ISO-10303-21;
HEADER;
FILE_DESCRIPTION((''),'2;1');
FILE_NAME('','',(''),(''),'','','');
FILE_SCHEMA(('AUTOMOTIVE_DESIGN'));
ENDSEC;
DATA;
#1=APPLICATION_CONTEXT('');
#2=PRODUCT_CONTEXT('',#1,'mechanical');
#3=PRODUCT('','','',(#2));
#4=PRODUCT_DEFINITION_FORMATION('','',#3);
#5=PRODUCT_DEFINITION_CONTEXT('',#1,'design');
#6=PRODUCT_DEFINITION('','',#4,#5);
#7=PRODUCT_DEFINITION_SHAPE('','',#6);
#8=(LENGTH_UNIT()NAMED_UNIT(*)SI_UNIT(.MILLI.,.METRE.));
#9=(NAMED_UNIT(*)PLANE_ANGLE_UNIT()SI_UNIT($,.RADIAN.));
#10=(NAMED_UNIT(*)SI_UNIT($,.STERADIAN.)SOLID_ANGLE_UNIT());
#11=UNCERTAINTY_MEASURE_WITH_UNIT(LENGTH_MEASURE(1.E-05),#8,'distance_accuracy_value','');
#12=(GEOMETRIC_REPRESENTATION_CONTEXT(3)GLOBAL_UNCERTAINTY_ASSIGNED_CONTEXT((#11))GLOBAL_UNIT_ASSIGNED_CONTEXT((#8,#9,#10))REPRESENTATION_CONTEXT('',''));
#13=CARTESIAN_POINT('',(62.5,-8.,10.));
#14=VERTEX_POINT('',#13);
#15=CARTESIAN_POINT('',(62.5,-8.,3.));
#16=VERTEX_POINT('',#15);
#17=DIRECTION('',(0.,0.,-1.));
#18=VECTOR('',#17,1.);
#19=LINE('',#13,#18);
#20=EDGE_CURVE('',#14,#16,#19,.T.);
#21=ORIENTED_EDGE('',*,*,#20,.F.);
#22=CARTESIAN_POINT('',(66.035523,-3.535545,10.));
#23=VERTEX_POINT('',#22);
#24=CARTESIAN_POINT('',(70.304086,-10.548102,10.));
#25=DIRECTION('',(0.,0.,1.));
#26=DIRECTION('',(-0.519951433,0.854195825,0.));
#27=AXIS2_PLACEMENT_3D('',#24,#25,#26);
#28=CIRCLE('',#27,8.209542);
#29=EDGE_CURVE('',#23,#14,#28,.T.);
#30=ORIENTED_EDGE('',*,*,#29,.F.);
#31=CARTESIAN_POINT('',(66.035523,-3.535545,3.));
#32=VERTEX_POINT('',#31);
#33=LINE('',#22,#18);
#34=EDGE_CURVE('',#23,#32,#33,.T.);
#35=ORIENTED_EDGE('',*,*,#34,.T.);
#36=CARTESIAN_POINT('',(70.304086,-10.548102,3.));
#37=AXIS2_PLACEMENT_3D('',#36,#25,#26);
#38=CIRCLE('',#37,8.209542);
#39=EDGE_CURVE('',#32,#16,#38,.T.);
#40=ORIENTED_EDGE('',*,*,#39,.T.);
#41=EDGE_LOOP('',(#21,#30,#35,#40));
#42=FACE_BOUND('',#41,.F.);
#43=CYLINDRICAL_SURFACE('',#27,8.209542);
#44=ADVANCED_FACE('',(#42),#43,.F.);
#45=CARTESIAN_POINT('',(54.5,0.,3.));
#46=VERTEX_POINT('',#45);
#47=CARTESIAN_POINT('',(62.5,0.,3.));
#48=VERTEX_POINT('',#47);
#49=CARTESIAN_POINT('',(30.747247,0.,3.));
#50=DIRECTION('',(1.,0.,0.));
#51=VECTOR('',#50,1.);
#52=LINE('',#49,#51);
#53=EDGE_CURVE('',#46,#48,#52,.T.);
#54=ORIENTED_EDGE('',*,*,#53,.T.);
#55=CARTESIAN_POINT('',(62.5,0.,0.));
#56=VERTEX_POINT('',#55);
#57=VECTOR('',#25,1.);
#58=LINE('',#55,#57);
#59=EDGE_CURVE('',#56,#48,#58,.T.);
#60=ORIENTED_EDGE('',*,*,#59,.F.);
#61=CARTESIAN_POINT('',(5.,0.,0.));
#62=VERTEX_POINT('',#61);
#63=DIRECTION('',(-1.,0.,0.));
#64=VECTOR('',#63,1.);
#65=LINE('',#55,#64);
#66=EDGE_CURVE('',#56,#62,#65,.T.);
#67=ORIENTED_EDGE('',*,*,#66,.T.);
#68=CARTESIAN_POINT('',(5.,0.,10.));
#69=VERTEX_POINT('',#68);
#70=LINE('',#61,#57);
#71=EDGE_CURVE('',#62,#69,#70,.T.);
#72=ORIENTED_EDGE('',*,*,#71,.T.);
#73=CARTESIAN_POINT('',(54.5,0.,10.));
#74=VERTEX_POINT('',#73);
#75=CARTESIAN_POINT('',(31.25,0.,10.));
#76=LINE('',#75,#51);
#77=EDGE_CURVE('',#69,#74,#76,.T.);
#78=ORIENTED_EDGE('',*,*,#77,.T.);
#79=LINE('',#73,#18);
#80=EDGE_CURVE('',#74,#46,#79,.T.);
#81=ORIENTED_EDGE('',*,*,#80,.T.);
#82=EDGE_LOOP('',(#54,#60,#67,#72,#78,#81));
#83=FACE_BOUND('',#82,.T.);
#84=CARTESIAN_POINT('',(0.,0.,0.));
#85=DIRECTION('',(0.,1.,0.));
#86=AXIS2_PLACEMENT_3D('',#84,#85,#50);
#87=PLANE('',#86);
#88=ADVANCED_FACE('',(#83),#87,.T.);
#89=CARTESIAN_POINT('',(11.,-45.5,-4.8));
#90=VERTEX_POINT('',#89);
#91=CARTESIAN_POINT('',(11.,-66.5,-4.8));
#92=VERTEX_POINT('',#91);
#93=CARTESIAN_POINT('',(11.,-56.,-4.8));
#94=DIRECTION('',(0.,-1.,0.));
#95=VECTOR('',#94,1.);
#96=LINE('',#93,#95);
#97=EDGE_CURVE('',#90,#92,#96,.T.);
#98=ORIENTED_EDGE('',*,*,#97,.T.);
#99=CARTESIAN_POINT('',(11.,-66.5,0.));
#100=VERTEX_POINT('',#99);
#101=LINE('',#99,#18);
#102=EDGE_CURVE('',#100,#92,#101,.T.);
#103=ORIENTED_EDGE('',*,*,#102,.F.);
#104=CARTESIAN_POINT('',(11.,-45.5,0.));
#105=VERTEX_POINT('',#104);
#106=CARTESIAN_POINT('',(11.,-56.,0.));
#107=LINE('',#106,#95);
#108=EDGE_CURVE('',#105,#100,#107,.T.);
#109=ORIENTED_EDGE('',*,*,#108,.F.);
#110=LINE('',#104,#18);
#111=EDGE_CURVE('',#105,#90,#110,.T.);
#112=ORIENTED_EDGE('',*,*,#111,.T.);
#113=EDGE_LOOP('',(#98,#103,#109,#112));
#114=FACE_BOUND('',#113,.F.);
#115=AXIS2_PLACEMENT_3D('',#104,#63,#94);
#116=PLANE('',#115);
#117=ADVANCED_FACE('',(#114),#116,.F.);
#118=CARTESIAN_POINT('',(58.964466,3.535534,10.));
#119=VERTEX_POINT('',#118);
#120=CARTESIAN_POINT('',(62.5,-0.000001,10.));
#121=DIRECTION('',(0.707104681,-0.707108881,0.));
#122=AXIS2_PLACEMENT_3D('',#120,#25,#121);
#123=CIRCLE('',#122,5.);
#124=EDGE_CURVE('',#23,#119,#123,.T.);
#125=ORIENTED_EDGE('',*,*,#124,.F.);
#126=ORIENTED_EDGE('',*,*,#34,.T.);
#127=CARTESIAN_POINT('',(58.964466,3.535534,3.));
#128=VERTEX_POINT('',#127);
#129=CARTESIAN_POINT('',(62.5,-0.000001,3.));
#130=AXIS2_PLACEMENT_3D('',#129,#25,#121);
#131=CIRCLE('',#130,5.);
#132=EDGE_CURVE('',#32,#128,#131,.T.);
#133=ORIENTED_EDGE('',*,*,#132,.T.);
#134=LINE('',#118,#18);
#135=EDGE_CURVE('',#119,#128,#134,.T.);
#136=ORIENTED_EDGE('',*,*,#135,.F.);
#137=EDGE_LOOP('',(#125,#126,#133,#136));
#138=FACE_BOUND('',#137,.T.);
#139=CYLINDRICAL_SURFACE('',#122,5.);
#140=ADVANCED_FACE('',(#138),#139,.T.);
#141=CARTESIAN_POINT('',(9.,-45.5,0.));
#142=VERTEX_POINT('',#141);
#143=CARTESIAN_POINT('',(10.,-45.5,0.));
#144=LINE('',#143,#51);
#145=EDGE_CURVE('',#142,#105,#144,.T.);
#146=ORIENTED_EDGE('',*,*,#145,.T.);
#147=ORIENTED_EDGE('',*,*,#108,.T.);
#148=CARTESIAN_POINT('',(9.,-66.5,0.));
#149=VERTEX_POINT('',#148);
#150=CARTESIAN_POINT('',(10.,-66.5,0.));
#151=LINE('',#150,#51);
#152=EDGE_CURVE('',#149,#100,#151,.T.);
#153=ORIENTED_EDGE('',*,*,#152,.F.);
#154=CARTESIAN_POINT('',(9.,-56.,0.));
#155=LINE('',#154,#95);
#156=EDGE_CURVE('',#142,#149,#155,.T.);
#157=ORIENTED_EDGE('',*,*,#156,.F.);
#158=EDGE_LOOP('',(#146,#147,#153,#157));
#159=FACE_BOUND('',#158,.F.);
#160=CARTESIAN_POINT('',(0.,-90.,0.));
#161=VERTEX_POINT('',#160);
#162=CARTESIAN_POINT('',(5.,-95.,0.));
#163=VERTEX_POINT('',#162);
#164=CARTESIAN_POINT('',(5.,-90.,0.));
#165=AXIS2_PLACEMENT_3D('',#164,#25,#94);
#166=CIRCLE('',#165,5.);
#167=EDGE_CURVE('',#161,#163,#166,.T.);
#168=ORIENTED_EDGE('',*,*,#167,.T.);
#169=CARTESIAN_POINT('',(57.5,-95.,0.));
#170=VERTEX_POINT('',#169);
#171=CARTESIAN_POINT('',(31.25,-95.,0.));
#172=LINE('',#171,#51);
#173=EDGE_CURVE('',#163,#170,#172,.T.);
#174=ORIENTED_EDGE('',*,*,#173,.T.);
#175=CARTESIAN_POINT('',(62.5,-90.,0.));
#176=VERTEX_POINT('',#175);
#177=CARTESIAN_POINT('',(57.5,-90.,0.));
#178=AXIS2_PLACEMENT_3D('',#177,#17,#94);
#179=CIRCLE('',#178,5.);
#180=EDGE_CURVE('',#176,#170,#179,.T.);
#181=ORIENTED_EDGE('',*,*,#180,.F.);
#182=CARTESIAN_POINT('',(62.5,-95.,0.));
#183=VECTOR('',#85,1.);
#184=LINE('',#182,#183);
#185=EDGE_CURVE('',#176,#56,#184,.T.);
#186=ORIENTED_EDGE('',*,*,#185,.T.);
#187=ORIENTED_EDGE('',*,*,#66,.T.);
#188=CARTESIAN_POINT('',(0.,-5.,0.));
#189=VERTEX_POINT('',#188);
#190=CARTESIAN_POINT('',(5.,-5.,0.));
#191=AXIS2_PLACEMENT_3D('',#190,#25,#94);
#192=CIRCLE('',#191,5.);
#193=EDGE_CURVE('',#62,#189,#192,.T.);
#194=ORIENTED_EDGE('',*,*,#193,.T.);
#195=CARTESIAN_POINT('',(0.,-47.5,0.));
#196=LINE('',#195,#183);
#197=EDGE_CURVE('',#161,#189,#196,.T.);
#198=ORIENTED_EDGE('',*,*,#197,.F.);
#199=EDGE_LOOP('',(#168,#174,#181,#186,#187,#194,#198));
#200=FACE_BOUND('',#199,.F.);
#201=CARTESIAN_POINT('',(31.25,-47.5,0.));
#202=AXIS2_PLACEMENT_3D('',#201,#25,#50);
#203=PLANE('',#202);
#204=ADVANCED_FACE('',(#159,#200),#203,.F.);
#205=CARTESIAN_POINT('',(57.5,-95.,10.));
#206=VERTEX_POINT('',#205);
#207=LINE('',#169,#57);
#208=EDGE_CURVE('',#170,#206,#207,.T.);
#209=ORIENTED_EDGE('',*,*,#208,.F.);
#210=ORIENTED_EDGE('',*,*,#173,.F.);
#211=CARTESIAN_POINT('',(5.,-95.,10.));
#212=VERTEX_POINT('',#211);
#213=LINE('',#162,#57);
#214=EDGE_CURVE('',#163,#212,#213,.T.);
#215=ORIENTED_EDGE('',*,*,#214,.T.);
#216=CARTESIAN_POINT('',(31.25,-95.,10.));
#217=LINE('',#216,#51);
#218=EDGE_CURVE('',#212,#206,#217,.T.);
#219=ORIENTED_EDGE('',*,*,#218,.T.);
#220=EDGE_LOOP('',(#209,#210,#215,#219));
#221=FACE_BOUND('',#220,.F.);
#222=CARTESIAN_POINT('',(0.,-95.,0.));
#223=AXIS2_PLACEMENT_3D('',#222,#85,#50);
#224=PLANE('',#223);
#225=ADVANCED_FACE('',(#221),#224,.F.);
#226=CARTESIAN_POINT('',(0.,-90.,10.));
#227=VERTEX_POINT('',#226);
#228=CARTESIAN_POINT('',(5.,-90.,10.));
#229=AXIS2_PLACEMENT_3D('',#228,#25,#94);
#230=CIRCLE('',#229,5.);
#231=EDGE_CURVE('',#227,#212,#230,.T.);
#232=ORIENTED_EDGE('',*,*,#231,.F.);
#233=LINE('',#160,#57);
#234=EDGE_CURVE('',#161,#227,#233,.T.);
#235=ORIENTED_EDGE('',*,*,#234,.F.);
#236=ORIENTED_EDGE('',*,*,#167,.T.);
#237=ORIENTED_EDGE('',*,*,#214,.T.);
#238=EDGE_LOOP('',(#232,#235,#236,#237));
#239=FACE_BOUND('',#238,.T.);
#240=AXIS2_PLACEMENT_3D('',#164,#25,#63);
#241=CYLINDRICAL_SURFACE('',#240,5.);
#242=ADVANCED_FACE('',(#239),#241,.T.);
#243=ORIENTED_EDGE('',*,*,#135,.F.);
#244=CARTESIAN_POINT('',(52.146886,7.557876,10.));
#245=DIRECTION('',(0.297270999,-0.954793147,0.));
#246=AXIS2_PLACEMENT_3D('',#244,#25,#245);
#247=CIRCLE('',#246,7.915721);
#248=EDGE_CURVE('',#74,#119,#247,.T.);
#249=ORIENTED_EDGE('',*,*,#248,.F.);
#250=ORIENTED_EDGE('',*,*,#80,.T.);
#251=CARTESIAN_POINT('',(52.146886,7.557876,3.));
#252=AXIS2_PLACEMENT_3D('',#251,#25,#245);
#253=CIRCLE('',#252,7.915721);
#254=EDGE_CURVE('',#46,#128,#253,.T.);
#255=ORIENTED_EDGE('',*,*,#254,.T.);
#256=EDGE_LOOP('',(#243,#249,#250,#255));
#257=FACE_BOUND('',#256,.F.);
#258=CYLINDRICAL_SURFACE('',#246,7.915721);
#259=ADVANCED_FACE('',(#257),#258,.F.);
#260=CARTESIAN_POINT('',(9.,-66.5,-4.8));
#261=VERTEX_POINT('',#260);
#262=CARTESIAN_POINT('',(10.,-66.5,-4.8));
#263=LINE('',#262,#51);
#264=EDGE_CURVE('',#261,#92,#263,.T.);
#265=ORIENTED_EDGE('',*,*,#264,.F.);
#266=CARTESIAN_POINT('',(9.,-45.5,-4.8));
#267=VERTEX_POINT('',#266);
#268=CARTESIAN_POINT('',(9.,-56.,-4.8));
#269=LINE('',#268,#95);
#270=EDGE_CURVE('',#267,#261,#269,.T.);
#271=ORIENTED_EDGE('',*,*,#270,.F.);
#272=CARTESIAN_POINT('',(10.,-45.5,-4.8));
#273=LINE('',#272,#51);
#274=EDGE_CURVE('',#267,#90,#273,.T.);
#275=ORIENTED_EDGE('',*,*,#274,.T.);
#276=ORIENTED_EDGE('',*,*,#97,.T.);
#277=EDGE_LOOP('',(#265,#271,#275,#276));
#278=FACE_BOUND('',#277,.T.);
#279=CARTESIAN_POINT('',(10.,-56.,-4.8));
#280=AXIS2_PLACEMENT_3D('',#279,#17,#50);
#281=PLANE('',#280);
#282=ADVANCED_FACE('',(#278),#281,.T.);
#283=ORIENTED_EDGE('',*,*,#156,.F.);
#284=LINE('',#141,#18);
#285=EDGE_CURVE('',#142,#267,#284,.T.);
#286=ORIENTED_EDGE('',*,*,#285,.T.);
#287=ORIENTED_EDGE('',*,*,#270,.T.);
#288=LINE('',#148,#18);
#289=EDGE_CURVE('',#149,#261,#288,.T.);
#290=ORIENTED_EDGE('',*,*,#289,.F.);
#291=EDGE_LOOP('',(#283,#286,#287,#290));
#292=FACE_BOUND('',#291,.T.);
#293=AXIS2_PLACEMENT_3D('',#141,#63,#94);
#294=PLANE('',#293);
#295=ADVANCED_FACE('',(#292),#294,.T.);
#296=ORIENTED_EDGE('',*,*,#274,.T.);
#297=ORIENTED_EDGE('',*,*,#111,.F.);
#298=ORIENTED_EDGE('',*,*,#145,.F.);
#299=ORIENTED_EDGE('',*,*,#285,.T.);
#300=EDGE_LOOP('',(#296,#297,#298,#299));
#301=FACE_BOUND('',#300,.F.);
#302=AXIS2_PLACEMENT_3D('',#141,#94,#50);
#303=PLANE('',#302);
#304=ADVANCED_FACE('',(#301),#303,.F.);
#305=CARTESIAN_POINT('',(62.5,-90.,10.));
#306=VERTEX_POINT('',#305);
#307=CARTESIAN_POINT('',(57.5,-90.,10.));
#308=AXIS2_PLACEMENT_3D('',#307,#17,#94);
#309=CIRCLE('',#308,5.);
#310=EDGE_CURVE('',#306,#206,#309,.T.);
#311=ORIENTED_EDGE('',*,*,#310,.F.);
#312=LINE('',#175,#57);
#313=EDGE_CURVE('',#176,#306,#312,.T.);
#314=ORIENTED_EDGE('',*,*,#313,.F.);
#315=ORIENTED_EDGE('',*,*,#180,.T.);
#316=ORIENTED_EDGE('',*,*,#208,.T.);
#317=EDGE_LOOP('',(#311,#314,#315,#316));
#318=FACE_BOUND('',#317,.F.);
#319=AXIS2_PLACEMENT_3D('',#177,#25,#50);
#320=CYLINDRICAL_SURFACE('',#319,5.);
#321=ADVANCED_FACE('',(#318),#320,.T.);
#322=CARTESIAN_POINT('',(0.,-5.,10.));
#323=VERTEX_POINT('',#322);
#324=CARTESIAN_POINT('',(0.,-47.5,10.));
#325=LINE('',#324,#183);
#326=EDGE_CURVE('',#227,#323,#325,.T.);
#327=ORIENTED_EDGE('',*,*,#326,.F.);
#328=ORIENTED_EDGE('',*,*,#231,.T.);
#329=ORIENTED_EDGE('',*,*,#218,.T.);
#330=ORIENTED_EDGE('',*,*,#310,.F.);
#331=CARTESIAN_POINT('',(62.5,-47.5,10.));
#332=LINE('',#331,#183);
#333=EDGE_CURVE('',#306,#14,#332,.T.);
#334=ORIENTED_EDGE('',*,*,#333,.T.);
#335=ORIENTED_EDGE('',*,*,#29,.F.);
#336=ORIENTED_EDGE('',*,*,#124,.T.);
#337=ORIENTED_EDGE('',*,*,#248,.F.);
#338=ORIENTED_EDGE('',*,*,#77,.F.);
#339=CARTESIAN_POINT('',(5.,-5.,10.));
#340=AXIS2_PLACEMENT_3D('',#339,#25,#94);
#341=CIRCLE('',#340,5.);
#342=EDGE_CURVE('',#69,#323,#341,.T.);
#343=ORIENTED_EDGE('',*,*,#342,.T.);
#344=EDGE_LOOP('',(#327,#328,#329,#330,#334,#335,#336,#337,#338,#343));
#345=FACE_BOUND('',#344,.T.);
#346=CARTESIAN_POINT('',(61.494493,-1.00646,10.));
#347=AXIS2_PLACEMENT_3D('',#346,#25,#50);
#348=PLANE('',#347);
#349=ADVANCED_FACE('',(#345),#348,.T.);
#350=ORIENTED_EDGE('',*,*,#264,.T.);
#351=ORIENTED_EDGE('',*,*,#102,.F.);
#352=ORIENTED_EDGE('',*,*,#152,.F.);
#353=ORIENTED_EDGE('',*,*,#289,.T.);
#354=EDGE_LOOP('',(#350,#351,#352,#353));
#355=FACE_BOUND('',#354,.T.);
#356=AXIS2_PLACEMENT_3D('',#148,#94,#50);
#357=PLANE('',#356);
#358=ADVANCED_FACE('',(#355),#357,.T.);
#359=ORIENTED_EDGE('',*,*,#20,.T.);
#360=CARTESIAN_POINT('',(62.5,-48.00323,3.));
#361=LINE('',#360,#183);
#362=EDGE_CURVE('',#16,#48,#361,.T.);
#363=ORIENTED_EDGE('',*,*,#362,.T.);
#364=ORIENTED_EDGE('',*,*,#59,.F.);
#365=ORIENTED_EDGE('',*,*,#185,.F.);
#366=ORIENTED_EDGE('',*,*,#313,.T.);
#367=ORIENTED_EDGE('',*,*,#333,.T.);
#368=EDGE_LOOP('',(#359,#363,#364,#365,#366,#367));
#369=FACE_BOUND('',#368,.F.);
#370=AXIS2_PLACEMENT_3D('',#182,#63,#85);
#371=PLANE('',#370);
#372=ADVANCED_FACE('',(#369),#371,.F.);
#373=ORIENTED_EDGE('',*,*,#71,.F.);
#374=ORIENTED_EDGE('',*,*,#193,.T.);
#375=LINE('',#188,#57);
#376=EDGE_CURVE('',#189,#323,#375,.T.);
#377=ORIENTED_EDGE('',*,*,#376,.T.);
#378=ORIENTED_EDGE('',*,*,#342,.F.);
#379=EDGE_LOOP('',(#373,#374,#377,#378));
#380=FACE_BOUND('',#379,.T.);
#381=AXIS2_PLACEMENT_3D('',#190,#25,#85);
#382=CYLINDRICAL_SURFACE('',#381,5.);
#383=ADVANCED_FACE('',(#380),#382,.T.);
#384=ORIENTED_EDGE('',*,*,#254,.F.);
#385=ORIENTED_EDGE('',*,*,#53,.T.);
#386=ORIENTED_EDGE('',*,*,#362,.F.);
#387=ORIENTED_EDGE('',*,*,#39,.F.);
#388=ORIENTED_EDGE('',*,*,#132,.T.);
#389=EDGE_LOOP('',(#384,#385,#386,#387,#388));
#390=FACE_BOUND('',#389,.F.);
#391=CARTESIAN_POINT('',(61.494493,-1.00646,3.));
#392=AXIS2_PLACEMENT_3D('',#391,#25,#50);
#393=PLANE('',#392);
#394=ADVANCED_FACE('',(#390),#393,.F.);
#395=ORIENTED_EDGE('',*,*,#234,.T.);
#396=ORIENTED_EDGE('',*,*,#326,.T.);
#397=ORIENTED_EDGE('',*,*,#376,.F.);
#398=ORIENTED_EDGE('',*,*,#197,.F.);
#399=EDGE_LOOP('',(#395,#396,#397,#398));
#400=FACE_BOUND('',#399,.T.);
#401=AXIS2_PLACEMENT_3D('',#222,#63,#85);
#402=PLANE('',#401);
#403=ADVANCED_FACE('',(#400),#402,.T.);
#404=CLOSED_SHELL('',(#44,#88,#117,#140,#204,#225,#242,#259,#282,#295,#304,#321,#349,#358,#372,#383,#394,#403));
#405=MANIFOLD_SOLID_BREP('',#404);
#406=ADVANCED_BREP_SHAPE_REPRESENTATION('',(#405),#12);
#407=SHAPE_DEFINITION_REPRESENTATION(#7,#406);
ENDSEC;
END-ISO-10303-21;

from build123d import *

# Parameters (mm, degrees)
SKETCH_W     = 62.5
SKETCH_H     = 95
PAD_DEPTH    = 10
PAD001_DEPTH = 7
POCKET_DEPTH = 3
SKETCH003_W  = 2
SKETCH003_H  = 21
PAD002_DEPTH = 4.8
FILLET_R     = 5


with BuildPart() as part:
    # Sketch → Pad (new body)
    with BuildSketch(Plane.XY):
        with Locations((31.25, -47.5)):
            Rectangle(SKETCH_W, SKETCH_H)
    extrude(amount=PAD_DEPTH)

    # Sketch001 (on Face6 of Pad) → Pad001 (join)
    with BuildSketch(Plane.XY.offset(10)):
        with BuildLine():
            ThreePointArc((66.035523, -3.535545), (66.035539, 3.535528), (58.964466, 3.535534))
            ThreePointArc((54.5, 0), (57.061192, 1.352376), (58.964466, 3.535534))
            Line((54.5, 0), (62.5, -8))
            ThreePointArc((66.035523, -3.535545), (63.868245, -5.451384), (62.5, -8))
        make_face()
    extrude(amount=-PAD001_DEPTH)

    # Sketch002 (on Face2 of Pad001) → Pocket (cut)
    with BuildSketch(Plane(origin=(0, 0, 0), x_dir=(1, 0, 0), z_dir=(0, 0, -1))):
        with BuildLine():
            Line((54.5, 0), (62.5, 0))
            Line((62.5, 0), (62.5, 8))
            ThreePointArc((62.5, 8), (63.868245, 5.451384), (66.035523, 3.535545))
            ThreePointArc((58.964466, -3.535534), (66.035539, -3.535528), (66.035523, 3.535545))
            ThreePointArc((58.964466, -3.535534), (57.061192, -1.352376), (54.5, 0))
        make_face()
    extrude(amount=-POCKET_DEPTH, mode=Mode.SUBTRACT)

    # Sketch003 (on Face3 of Pocket) → Pad002 (join)
    with BuildSketch(Plane(origin=(0, 0, 0), x_dir=(1, 0, 0), z_dir=(0, 0, -1))):
        with Locations((10, 56)):
            Rectangle(SKETCH003_W, SKETCH003_H)
    extrude(amount=PAD002_DEPTH)

    # Fillet
    fillet_edges = [part.edges().sort_by_distance(p)[0] for p in [
        (0, 0, 5),
        (0, -95, 5),
        (62.5, -95, 5),
    ]]
    fillet(fillet_edges, radius=FILLET_R)


solid = part.part
